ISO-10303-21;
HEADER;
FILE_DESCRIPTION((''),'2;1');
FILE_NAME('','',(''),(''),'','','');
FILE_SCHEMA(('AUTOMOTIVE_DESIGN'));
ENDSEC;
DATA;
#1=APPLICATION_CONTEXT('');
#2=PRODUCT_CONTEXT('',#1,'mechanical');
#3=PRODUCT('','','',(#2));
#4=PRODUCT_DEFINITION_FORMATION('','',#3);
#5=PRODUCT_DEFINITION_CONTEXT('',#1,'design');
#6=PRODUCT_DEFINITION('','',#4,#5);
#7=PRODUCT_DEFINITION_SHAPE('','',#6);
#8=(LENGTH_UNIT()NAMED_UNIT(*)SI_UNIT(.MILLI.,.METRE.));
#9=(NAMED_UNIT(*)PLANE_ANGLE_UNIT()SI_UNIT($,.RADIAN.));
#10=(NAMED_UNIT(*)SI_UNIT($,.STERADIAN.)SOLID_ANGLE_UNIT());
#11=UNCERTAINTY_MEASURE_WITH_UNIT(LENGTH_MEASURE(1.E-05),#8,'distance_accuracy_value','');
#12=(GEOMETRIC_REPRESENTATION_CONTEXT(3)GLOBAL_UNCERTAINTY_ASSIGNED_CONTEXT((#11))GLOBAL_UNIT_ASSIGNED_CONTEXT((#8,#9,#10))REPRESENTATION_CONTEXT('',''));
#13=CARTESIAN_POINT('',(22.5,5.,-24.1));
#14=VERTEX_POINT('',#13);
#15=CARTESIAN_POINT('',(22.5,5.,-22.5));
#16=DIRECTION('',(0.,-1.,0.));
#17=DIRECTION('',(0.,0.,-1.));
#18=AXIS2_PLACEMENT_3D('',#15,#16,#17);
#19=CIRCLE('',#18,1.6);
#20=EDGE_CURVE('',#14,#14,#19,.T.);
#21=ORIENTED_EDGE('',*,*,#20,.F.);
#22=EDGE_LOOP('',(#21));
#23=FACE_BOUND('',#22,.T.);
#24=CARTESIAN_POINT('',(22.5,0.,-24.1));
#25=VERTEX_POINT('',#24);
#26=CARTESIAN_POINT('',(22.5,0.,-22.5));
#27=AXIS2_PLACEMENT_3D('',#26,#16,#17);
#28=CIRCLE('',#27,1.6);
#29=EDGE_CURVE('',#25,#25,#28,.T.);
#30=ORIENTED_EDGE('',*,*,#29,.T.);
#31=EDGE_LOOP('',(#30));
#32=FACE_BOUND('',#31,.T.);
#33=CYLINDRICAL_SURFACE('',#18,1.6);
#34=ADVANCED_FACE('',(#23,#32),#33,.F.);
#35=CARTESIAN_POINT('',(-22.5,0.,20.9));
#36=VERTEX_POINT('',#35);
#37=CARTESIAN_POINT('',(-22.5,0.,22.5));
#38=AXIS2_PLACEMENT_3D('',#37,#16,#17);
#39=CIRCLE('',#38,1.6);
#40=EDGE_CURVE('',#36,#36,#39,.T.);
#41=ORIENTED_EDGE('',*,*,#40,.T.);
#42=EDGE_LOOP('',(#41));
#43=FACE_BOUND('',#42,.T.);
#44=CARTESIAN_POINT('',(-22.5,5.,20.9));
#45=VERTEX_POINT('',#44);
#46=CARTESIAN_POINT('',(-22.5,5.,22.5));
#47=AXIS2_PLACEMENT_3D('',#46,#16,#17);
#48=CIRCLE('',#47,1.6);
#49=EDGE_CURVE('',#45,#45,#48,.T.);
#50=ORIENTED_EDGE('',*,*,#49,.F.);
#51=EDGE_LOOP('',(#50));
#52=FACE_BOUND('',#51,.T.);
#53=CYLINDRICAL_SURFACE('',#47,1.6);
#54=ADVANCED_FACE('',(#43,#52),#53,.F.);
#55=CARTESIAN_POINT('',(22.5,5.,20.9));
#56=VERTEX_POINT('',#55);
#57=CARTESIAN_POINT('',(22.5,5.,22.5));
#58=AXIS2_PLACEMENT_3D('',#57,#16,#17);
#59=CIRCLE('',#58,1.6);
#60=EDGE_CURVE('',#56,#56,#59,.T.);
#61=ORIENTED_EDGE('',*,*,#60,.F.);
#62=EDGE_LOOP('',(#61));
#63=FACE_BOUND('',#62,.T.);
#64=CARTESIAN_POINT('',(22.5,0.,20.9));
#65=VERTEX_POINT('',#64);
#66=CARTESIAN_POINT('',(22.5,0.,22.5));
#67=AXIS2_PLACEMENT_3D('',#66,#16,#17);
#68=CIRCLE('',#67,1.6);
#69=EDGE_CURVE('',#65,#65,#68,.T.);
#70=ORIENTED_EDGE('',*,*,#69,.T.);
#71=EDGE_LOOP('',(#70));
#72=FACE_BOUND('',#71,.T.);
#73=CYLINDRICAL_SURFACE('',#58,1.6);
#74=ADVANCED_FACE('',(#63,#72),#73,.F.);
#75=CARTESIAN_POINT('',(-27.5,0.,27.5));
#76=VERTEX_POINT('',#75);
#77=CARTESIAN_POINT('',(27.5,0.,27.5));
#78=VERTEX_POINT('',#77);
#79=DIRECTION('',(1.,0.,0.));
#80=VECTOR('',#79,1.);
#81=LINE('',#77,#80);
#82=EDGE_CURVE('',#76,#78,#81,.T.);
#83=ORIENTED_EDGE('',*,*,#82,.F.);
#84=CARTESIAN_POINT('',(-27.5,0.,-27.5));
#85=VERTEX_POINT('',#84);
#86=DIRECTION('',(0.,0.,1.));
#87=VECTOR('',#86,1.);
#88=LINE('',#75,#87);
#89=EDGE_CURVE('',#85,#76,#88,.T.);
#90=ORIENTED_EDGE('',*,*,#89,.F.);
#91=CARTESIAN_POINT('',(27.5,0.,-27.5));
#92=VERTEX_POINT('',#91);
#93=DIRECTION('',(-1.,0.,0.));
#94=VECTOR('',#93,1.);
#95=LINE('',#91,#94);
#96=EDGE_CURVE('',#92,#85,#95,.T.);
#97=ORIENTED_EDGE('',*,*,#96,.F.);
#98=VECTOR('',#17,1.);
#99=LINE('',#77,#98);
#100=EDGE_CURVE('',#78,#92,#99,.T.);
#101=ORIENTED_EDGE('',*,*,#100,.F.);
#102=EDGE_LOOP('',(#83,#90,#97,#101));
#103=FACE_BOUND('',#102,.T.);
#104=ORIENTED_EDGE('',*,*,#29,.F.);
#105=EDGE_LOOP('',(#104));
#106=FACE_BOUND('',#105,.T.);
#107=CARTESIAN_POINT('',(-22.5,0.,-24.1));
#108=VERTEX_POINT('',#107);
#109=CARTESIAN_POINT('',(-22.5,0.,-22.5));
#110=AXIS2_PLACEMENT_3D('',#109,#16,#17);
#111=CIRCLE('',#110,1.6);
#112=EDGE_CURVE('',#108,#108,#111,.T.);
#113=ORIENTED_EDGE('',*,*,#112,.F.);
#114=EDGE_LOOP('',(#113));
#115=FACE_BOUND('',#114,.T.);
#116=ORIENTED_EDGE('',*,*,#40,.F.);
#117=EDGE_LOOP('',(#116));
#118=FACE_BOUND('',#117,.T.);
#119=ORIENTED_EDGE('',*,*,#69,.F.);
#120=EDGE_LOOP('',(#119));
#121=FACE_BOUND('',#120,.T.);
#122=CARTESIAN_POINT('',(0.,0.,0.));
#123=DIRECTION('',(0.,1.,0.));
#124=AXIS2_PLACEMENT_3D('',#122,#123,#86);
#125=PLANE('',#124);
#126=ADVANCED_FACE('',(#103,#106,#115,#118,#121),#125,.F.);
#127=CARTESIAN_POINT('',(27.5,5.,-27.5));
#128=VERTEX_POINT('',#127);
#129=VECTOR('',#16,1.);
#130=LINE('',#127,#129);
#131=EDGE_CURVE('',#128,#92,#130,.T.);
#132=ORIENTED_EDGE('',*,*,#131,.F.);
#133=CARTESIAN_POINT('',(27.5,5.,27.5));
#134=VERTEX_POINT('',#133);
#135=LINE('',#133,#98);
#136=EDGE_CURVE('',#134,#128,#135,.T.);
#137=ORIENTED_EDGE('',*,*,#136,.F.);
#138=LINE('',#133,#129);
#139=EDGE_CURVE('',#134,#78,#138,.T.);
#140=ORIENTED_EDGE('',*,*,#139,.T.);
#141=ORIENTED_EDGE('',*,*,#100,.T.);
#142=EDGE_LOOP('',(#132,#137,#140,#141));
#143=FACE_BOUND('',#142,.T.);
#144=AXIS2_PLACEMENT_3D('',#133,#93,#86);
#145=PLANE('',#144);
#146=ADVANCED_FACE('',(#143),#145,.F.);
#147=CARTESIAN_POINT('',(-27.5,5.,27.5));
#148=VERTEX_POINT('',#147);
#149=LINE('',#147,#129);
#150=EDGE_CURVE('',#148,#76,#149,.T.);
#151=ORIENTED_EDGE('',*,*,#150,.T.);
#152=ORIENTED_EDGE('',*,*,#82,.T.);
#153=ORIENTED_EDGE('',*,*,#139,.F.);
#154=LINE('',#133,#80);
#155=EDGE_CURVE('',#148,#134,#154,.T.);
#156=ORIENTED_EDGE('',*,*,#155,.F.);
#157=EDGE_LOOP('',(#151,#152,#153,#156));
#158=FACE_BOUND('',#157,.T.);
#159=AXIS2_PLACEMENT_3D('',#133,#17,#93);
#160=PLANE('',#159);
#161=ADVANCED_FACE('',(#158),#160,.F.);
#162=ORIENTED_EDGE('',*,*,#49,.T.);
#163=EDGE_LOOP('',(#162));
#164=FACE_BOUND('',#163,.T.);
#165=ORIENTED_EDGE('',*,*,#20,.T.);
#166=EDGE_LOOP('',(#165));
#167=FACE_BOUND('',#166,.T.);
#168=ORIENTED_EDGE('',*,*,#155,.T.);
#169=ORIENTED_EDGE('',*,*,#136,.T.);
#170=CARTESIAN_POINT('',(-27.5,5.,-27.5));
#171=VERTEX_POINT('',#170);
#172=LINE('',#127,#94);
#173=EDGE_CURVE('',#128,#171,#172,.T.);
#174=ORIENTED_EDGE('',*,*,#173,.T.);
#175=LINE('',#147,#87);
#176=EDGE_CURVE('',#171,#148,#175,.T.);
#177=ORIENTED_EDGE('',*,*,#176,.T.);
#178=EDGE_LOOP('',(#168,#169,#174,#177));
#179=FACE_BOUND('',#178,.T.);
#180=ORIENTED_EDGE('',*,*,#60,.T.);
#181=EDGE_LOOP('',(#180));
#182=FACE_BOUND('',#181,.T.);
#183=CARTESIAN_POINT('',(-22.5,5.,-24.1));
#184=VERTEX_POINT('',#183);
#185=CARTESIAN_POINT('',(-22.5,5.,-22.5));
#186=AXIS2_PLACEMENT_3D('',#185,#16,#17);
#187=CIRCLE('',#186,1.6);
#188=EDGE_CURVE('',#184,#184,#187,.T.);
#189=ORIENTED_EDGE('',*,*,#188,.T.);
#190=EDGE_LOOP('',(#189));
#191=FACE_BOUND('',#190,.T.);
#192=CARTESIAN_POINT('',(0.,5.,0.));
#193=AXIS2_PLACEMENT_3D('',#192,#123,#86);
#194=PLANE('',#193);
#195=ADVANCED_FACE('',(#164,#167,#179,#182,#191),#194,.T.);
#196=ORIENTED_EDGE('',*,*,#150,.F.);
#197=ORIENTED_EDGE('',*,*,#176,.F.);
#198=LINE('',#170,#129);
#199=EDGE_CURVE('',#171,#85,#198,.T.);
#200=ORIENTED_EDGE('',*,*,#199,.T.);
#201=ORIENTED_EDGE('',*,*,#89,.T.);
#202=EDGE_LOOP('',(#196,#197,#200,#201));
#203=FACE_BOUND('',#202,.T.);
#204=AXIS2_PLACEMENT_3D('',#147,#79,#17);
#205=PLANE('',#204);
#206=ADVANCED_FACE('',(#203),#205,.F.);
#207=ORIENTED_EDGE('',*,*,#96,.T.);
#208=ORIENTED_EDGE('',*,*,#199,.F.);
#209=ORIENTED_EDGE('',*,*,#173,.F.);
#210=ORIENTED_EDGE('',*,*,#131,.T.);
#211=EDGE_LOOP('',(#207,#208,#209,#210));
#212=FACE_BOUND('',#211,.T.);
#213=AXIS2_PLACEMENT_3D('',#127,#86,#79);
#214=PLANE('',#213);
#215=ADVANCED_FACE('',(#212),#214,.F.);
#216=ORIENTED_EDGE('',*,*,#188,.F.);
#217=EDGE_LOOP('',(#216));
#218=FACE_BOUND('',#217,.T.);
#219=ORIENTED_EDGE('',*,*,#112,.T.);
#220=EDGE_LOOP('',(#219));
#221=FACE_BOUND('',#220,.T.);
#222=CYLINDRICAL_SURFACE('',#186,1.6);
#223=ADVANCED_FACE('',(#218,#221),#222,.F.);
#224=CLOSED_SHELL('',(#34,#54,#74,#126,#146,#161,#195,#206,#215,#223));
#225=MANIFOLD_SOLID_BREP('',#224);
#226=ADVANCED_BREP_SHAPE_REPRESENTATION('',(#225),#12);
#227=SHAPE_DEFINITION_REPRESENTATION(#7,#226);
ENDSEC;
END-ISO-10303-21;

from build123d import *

# Parameters (mm, degrees)
SKETCH1_W           = 55
SKETCH1_H           = 55
BOSS_EXTRUDE1_DEPTH = 5
SKETCH2_R           = 1.6
CUT_EXTRUDE1_DEPTH  = 5


with BuildPart() as part:
    # Sketch1 → Boss-Extrude1 (new body)
    with BuildSketch(Plane(origin=(0, 0, 0), x_dir=(1, 0, 0), z_dir=(0, 1, 0))):
        Rectangle(SKETCH1_W, SKETCH1_H)
    extrude(amount=BOSS_EXTRUDE1_DEPTH)

    # Sketch2 → Cut-Extrude1 (cut)
    with BuildSketch(Plane.XZ):
        with Locations(Location((-22.5, 22.5, 0), (0, 0, 270))):
            Circle(SKETCH2_R)
        with Locations(Location((22.5, 22.5, 0), (0, 0, 270))):
            Circle(SKETCH2_R)
        with Locations(Location((22.5, -22.5, 0), (0, 0, 270))):
            Circle(SKETCH2_R)
        with Locations(Location((-22.5, -22.5, 0), (0, 0, 270))):
            Circle(SKETCH2_R)
    extrude(amount=-CUT_EXTRUDE1_DEPTH, mode=Mode.SUBTRACT)


solid = part.part
